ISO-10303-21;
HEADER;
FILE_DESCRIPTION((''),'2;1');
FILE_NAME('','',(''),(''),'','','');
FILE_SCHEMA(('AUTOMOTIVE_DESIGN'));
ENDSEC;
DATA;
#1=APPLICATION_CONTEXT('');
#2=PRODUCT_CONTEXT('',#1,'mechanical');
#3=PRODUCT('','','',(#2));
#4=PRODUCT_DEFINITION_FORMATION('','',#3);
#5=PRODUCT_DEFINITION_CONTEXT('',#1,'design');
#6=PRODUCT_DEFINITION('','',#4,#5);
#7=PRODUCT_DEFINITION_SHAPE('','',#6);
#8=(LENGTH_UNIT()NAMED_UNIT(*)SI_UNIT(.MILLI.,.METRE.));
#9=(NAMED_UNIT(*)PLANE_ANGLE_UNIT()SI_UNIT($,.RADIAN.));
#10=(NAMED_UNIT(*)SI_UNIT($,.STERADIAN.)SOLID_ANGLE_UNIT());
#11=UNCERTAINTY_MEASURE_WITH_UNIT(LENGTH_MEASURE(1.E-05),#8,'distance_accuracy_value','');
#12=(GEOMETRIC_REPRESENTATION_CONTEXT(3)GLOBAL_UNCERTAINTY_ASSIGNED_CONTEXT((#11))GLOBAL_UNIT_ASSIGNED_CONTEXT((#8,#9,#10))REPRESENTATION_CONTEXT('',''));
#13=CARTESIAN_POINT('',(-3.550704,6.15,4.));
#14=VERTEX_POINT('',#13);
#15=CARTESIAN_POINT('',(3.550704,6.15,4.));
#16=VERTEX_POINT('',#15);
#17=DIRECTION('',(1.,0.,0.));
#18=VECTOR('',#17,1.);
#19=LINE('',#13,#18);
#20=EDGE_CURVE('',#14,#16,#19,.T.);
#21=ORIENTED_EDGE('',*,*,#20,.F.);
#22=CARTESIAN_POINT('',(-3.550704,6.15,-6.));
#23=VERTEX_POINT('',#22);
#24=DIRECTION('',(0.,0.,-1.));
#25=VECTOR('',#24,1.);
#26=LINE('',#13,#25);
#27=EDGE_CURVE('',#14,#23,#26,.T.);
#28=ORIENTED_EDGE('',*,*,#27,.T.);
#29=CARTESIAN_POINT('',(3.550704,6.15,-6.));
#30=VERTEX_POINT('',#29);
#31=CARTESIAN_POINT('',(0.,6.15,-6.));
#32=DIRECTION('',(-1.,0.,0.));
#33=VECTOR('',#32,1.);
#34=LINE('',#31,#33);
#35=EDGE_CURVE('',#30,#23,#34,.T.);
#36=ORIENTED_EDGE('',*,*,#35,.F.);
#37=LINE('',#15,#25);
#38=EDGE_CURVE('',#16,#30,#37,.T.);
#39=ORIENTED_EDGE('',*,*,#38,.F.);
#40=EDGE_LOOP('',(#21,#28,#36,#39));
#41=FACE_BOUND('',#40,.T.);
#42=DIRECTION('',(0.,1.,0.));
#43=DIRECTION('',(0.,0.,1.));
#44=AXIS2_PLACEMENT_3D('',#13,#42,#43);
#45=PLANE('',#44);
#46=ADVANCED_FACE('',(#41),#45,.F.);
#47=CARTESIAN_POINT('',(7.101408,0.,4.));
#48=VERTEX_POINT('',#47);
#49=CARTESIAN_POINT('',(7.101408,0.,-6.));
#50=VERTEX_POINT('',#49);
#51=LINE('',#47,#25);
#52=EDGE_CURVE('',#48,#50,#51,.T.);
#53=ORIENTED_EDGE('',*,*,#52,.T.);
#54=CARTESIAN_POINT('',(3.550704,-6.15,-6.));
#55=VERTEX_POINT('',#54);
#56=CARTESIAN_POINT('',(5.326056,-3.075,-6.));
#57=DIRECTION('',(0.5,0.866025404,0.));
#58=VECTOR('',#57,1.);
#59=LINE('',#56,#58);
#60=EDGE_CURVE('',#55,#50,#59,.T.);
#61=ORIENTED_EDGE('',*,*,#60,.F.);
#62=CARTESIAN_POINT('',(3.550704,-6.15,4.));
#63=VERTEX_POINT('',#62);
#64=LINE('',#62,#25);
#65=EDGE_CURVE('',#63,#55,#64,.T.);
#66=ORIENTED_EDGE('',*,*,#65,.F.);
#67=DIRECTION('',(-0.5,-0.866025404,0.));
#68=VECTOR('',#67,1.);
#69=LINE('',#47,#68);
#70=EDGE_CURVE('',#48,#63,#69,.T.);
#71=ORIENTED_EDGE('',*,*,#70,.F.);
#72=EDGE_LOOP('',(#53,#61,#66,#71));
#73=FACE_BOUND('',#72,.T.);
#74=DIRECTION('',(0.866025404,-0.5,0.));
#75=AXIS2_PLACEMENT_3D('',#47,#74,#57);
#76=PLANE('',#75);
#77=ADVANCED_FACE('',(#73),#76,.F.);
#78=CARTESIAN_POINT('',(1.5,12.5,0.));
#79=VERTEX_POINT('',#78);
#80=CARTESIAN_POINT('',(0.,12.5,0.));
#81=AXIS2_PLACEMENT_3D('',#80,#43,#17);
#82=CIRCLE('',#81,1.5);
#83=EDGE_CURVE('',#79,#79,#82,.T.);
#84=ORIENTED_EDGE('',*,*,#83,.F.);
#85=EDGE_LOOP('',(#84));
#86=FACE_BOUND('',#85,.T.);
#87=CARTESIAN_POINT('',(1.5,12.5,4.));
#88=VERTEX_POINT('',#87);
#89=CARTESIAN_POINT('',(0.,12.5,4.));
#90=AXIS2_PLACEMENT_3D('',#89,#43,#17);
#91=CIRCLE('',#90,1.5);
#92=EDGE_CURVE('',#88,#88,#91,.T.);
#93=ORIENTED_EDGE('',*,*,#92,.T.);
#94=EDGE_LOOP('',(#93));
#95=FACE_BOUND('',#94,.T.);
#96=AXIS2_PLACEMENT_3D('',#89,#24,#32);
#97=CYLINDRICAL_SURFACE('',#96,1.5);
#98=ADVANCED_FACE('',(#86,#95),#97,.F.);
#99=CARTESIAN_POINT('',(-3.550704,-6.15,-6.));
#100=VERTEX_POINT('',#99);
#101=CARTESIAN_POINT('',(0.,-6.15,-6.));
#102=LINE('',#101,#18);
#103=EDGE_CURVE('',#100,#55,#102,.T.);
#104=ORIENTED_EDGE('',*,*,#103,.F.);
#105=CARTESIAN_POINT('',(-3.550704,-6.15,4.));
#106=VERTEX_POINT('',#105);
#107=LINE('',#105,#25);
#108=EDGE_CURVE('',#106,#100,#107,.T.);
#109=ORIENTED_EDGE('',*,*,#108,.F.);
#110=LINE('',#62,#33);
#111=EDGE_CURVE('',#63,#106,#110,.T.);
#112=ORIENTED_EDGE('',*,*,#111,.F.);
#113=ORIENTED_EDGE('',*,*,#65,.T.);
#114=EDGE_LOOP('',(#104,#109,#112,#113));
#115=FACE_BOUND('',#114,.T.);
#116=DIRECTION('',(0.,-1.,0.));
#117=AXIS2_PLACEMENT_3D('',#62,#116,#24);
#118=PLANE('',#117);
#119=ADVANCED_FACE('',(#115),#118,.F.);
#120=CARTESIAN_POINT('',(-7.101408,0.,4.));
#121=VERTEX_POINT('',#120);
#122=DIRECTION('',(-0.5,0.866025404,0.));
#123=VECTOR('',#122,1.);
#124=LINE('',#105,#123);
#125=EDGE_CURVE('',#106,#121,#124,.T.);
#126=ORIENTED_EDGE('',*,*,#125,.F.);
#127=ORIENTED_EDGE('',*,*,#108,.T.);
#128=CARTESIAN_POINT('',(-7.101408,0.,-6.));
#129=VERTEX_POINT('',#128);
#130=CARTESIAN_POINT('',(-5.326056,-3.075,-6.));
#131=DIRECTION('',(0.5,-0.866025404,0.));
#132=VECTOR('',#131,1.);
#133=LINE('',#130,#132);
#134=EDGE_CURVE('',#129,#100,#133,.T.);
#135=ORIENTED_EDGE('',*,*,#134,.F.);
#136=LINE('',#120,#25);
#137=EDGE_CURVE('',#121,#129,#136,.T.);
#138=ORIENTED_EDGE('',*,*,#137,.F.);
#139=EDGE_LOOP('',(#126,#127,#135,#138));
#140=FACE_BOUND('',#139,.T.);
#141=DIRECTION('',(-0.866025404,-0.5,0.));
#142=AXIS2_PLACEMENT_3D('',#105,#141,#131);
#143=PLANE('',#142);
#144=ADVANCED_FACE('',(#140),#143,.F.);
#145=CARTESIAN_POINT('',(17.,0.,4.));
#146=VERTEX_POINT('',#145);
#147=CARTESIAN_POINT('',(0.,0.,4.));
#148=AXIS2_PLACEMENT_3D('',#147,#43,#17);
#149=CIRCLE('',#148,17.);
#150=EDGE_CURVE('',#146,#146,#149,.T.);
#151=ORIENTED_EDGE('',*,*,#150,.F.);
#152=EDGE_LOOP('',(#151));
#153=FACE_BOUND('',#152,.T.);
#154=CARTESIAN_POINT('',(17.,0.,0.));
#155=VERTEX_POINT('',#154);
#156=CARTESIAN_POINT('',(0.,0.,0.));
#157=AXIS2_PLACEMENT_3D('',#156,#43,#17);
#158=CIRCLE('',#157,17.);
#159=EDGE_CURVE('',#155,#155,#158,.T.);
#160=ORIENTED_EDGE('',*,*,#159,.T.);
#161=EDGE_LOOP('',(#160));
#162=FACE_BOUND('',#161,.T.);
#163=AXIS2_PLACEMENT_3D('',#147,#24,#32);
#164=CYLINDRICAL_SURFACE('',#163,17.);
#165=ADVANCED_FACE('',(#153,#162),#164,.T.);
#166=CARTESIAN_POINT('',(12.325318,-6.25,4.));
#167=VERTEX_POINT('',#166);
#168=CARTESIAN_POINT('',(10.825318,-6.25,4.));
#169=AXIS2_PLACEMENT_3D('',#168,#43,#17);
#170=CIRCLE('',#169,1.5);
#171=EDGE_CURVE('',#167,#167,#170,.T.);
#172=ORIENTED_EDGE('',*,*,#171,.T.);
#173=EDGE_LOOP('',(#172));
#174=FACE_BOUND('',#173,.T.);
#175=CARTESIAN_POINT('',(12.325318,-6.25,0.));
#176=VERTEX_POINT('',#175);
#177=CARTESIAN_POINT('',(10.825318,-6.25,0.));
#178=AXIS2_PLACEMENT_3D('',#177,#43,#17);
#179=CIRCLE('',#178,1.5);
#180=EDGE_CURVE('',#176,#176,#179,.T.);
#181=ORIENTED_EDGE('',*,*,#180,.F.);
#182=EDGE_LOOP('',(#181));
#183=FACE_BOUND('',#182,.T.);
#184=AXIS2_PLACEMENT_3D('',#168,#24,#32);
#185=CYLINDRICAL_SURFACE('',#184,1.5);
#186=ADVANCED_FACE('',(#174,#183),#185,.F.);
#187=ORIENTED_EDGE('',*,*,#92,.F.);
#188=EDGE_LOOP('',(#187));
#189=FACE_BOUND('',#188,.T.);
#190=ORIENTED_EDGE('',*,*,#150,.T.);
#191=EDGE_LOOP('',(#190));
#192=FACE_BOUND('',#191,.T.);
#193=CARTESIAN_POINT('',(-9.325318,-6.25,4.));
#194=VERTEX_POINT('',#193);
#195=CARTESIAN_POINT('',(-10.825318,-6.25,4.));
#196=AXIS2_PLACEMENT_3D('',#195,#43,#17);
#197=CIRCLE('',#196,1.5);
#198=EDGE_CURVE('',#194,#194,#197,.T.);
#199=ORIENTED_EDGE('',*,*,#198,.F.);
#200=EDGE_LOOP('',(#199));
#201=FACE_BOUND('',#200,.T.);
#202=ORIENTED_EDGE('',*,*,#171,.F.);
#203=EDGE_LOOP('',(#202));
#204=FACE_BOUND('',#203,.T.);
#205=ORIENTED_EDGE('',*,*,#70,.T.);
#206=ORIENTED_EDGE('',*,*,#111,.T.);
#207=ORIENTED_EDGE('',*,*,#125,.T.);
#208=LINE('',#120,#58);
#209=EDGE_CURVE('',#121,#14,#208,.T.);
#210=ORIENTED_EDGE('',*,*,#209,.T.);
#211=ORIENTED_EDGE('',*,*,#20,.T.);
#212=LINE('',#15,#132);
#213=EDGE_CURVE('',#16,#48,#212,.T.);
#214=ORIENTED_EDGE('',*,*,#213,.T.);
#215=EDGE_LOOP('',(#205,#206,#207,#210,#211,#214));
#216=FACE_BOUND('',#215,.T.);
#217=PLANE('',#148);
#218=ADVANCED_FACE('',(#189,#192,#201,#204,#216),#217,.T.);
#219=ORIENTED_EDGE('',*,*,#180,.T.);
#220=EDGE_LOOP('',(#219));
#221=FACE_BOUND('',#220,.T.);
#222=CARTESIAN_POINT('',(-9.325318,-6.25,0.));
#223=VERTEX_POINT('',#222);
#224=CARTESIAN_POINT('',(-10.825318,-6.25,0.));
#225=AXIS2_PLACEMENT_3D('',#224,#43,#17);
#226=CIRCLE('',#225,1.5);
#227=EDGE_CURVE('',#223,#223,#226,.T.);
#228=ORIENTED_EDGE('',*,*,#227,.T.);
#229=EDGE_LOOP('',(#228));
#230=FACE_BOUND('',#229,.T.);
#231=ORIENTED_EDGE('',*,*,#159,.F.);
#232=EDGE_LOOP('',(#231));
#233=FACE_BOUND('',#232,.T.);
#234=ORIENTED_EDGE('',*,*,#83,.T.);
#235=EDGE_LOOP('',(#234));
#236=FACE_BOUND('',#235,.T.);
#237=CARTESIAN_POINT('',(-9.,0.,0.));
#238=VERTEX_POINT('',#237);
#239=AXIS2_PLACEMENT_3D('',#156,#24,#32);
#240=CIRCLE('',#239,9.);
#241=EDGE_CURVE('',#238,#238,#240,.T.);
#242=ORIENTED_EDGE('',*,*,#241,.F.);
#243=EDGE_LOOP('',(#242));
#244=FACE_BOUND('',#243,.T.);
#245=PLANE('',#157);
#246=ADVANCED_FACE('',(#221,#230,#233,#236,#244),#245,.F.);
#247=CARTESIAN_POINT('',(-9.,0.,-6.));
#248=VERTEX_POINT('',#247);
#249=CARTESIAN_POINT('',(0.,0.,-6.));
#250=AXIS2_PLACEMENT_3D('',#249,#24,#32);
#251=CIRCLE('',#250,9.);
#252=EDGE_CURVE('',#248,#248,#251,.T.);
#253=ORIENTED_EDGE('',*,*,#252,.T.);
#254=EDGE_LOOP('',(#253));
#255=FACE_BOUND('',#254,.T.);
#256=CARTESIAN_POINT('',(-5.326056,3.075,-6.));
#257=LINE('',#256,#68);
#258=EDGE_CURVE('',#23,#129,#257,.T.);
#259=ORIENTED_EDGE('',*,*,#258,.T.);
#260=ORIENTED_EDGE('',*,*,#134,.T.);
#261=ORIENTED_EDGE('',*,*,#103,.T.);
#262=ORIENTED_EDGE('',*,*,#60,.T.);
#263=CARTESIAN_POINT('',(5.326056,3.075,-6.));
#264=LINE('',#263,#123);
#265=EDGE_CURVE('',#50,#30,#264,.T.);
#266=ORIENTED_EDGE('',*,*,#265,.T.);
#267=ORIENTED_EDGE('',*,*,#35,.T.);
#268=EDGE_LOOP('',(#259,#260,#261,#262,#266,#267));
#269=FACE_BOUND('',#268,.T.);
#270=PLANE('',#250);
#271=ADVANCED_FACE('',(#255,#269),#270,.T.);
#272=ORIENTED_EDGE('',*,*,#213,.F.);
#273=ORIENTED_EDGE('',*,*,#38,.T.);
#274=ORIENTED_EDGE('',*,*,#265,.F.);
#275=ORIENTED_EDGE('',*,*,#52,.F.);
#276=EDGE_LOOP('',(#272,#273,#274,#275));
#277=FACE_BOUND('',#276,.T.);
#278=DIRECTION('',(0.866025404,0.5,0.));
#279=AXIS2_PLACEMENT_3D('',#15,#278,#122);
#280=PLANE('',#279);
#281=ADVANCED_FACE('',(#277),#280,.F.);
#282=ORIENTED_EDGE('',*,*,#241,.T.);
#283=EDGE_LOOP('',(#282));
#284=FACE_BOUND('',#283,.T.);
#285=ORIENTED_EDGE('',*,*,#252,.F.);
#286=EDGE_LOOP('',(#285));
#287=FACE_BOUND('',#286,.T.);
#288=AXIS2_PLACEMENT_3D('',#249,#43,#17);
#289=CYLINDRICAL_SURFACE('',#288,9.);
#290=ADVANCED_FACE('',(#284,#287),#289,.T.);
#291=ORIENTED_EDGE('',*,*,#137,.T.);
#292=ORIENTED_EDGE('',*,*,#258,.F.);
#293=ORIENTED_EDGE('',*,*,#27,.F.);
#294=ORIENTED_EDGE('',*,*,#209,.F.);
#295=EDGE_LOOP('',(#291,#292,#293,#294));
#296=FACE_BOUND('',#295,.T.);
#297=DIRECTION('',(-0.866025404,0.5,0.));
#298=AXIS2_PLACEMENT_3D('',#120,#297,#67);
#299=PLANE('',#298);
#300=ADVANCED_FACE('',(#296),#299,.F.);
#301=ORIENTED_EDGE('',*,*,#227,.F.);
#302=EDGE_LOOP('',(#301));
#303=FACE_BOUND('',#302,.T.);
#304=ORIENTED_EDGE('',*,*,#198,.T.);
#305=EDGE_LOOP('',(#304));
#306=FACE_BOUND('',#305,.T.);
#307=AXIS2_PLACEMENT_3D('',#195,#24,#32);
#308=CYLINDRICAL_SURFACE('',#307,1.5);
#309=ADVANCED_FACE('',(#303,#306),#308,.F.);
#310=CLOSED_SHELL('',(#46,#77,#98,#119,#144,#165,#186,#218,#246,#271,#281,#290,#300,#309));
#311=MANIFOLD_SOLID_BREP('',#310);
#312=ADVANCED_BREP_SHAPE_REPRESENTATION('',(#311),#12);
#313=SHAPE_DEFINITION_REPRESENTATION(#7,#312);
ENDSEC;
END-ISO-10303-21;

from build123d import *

# Parameters (mm, degrees)
CROQUIS1_R              = 17
CROQUIS1_R_2            = 1.5
SALIENTE_EXTRUIR1_DEPTH = 4
CORTAR_EXTRUIR1_DEPTH   = 4
SALIENTE_EXTRUIR2_START = 6
CROQUIS3_R              = 9
CROQUIS3_R_2            = 1.5
SALIENTE_EXTRUIR2_DEPTH = 6


with BuildPart() as part:
    # Croquis1 → Saliente-Extruir1 (new body)
    with BuildSketch(Plane.XY):
        Circle(CROQUIS1_R)
        with Locations((0, 12.5)):
            Circle(CROQUIS1_R_2, mode=Mode.SUBTRACT)
        with Locations((10.825317547, -6.25)):
            Circle(CROQUIS1_R_2, mode=Mode.SUBTRACT)
        with Locations((-10.825317547, -6.25)):
            Circle(CROQUIS1_R_2, mode=Mode.SUBTRACT)
    extrude(amount=SALIENTE_EXTRUIR1_DEPTH)

    # Croquis2 → Cortar-Extruir1 (cut)
    with BuildSketch(Plane(origin=(0, 0, 0), x_dir=(-1, 0, 0), z_dir=(0, 0, -1))):
        Polygon((3.550704156, 6.15), (-3.550704156, 6.15), (-7.101408311, 0), (-3.550704156, -6.15), (3.550704156, -6.15), (7.101408311, 0), align=None)
    extrude(amount=-CORTAR_EXTRUIR1_DEPTH, mode=Mode.SUBTRACT)

    # Croquis3 → Saliente-Extruir2 (add)
    # profile 1 of 4: a face of its own
    with BuildSketch(Plane(origin=(0, 0, 0), x_dir=(-1, 0, 0), z_dir=(0, 0, -1)).offset(SALIENTE_EXTRUIR2_START)):
        Circle(CROQUIS3_R)
        Polygon((-7.101408311, 0), (-3.550704156, 6.15), (3.550704156, 6.15), (7.101408311, 0), (3.550704156, -6.15), (-3.550704156, -6.15), align=None, mode=Mode.SUBTRACT)
    # profile 2 of 4: a face of its own
    with BuildSketch(Plane(origin=(0, 0, 0), x_dir=(-1, 0, 0), z_dir=(0, 0, -1)).offset(SALIENTE_EXTRUIR2_START)):
        with Locations(Location((0, 12.5, 0), (0, 0, 180))):
            Circle(CROQUIS3_R_2)
    # profile 3 of 4: a face of its own
    with BuildSketch(Plane(origin=(0, 0, 0), x_dir=(-1, 0, 0), z_dir=(0, 0, -1)).offset(SALIENTE_EXTRUIR2_START)):
        with Locations(Location((-10.825317547, -6.25, 0), (0, 0, 180))):
            Circle(CROQUIS3_R_2)
    # profile 4 of 4: a face of its own
    with BuildSketch(Plane(origin=(0, 0, 0), x_dir=(-1, 0, 0), z_dir=(0, 0, -1)).offset(SALIENTE_EXTRUIR2_START)):
        with Locations(Location((10.825317547, -6.25, 0), (0, 0, 180))):
            Circle(CROQUIS3_R_2)
    extrude(amount=-SALIENTE_EXTRUIR2_DEPTH)


with BuildPart() as saliente_extruir2_kept_piece:
    # of the separate pieces the step leaves, the one the design keeps (saliente_extruir2_pieces_kept)
    add(part.part.solids().sort_by_distance((17, 0, 0))[0])


solid = saliente_extruir2_kept_piece.part
